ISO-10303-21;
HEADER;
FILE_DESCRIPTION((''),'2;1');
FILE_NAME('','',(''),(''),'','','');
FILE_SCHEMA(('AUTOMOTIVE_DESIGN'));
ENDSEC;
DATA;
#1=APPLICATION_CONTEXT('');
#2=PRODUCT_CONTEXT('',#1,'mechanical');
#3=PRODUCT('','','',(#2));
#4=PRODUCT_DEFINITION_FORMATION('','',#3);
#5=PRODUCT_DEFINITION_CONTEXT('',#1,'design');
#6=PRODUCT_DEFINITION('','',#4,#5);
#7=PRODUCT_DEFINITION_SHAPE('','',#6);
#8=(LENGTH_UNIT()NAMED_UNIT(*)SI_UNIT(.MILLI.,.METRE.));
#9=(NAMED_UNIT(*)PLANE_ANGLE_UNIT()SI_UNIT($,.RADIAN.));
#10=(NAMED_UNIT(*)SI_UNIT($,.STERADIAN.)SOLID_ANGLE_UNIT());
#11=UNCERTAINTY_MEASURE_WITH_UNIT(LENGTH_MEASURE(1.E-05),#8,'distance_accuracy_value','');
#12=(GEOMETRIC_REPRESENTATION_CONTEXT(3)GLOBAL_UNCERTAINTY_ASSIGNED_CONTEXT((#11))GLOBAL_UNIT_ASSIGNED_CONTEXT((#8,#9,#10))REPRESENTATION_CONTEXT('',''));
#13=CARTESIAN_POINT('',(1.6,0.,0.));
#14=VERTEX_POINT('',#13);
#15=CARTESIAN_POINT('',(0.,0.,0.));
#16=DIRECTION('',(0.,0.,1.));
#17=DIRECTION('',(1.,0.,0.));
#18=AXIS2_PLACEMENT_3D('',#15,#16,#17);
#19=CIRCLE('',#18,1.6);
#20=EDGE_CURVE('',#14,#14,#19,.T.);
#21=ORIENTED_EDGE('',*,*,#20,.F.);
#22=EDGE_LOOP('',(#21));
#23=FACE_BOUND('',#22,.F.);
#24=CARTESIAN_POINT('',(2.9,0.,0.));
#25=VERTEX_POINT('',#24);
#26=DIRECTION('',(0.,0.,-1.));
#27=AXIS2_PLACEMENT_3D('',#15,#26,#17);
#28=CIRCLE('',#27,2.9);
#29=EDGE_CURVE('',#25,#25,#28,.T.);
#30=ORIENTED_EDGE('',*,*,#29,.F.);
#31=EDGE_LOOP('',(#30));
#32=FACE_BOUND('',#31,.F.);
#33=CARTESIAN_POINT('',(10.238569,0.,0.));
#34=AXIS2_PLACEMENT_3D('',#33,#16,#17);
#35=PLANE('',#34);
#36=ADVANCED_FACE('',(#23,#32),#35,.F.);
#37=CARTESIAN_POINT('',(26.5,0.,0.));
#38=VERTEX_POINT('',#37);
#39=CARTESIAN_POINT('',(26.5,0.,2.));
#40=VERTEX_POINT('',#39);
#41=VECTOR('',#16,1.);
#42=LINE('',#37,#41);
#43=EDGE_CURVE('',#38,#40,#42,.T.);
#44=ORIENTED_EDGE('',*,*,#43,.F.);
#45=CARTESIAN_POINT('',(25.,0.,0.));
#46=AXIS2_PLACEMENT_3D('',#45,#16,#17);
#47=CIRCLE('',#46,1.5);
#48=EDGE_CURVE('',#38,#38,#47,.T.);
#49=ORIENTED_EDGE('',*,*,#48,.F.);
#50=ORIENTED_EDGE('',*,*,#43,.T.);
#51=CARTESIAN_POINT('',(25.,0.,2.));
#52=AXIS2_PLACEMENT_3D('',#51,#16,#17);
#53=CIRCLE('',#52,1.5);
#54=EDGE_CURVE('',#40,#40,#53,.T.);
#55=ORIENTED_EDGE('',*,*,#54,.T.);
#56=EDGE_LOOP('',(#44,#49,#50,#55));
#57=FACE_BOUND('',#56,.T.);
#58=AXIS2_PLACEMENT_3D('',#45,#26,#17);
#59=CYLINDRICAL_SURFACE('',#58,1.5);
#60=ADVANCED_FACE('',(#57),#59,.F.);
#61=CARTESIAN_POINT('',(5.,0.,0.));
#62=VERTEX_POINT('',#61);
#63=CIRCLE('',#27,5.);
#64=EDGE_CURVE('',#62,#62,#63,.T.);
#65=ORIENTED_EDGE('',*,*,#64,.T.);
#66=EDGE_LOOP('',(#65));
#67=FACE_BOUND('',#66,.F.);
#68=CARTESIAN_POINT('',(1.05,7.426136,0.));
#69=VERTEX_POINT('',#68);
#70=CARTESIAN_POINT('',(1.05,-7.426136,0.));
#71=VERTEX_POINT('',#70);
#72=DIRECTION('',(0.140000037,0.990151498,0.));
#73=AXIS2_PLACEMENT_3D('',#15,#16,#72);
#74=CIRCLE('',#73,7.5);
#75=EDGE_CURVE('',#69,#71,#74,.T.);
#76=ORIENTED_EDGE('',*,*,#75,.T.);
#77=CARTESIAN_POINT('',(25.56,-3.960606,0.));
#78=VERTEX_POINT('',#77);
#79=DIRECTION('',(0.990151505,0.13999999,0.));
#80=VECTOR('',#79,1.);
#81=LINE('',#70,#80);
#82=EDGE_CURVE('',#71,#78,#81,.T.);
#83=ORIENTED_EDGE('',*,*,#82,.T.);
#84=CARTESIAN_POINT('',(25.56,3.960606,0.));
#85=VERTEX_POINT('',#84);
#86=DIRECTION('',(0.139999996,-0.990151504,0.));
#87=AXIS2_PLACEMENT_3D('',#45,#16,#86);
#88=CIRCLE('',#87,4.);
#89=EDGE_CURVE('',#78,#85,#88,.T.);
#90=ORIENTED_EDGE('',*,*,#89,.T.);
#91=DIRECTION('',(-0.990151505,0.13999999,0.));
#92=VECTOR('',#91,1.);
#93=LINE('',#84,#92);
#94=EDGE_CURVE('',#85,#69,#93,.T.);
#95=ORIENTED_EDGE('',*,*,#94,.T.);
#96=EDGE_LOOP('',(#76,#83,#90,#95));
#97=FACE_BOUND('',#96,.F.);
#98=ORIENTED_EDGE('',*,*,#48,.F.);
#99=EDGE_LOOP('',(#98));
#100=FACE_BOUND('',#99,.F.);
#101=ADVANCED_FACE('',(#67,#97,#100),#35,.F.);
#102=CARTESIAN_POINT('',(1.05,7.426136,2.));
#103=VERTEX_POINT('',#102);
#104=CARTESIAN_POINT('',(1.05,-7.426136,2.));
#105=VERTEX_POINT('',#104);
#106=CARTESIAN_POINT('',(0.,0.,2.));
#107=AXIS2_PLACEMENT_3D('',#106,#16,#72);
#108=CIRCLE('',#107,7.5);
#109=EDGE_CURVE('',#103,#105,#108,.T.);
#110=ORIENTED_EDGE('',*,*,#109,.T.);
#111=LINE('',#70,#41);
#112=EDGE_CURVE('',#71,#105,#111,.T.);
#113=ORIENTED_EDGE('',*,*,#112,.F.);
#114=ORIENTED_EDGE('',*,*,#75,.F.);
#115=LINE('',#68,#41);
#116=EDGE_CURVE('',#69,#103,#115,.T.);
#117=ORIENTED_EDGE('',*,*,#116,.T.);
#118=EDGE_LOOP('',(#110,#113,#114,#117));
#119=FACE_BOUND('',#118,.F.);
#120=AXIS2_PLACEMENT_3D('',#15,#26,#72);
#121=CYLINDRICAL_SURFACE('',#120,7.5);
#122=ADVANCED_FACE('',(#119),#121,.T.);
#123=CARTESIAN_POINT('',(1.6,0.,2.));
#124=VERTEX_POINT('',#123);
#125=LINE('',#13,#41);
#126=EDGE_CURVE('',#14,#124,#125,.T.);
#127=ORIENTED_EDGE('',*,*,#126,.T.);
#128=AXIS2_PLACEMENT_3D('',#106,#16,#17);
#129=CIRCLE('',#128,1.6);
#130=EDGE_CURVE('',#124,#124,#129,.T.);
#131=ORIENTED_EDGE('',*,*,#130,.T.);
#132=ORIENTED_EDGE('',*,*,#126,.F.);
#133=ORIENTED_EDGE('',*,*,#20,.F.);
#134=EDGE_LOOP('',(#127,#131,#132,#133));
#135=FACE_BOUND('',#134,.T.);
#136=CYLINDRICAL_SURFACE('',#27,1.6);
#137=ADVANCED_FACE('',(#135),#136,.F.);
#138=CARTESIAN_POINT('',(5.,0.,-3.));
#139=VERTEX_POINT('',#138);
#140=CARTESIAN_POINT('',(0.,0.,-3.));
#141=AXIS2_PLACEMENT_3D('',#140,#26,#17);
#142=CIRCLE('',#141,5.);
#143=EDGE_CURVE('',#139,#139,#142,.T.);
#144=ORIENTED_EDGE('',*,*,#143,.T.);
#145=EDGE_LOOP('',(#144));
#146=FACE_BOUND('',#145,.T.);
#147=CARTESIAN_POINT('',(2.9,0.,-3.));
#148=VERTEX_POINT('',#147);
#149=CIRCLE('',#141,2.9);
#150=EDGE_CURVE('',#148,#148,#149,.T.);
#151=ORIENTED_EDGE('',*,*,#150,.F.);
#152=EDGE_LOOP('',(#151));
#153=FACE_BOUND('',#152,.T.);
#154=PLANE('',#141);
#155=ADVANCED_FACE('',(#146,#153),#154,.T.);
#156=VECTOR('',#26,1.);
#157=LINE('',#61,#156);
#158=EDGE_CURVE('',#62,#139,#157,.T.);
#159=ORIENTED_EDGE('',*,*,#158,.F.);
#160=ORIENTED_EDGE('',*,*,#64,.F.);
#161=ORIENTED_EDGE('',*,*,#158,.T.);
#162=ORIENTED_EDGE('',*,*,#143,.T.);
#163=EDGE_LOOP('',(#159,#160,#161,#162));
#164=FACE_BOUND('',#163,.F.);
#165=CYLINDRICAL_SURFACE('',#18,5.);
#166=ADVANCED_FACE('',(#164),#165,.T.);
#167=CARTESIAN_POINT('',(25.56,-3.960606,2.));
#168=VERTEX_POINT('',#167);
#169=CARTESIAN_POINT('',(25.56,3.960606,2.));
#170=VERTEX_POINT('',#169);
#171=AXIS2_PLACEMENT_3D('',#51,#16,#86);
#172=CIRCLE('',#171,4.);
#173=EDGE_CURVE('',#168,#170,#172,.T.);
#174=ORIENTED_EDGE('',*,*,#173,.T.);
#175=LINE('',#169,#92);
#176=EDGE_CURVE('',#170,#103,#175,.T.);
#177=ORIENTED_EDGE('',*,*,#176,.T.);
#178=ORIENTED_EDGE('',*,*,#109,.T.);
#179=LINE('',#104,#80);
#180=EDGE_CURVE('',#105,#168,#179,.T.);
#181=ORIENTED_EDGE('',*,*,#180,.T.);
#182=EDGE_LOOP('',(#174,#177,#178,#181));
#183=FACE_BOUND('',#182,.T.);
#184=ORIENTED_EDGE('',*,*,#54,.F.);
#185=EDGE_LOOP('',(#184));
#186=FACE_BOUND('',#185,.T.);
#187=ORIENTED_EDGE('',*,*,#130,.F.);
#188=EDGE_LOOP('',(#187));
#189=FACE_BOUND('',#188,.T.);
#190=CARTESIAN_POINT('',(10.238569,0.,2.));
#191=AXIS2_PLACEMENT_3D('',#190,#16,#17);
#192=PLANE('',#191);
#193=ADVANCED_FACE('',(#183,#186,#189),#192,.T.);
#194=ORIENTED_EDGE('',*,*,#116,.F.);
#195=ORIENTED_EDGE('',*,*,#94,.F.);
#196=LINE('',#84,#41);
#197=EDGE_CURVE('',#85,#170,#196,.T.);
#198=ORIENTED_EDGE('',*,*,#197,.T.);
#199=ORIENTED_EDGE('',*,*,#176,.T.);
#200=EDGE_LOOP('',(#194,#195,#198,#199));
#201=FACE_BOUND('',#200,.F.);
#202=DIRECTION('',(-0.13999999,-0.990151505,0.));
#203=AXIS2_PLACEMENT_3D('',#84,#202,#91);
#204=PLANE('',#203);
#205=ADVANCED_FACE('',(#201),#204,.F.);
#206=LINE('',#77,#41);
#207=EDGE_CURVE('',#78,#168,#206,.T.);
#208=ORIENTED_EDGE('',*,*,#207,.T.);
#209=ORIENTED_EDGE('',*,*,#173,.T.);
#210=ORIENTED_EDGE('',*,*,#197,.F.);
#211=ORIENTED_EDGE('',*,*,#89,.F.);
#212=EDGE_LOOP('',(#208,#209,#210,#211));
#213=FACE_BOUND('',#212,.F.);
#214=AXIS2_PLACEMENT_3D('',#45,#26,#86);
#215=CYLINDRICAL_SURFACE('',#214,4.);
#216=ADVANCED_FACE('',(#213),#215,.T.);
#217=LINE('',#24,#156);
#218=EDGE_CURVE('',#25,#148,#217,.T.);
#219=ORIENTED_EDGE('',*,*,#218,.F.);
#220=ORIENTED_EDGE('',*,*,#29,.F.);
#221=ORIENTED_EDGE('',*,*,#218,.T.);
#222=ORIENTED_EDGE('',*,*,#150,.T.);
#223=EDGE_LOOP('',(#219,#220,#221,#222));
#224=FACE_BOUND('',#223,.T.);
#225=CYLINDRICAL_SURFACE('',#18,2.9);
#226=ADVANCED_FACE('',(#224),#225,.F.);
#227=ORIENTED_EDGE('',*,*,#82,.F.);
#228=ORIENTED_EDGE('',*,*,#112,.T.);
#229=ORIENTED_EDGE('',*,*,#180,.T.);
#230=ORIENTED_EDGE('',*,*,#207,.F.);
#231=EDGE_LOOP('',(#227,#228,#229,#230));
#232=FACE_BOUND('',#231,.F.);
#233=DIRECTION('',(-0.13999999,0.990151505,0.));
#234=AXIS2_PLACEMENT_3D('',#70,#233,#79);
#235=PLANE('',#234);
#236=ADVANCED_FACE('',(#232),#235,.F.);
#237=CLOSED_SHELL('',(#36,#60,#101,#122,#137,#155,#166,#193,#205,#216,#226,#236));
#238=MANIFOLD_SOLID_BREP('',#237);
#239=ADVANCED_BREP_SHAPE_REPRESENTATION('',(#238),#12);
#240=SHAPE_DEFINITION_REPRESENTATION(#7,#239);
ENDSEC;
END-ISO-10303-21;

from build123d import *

# Parameters (mm, degrees)
F0_R     = 1.6
F0_R_2   = 1.5
F1_DEPTH = 2
F2_R     = 5
F2_R_2   = 2.9
F3_DEPTH = 3


with BuildPart() as f1:
    # F0 (on Top) → F1 (new body)
    with BuildSketch(Plane.XY):
        with BuildLine():
            Line((25.56, 3.960606), (1.05, 7.426136))
            ThreePointArc((1.05, 7.426136), (-7.5, 0), (1.05, -7.426136))
            Line((1.05, -7.426136), (25.56, -3.960606))
            ThreePointArc((25.56, -3.960606), (29, 0), (25.56, 3.960606))
        make_face()
        Circle(F0_R, mode=Mode.SUBTRACT)
        with Locations((25, 0)):
            Circle(F0_R_2, mode=Mode.SUBTRACT)
    extrude(amount=F1_DEPTH)

    # F2 (on face) → F3 (join)
    with BuildSketch(Plane(origin=(0, 0, 0), x_dir=(1, 0, 0), z_dir=(0, 0, -1))):
        Circle(F2_R)
        Circle(F2_R_2, mode=Mode.SUBTRACT)
    extrude(amount=F3_DEPTH)


solid = f1.part
